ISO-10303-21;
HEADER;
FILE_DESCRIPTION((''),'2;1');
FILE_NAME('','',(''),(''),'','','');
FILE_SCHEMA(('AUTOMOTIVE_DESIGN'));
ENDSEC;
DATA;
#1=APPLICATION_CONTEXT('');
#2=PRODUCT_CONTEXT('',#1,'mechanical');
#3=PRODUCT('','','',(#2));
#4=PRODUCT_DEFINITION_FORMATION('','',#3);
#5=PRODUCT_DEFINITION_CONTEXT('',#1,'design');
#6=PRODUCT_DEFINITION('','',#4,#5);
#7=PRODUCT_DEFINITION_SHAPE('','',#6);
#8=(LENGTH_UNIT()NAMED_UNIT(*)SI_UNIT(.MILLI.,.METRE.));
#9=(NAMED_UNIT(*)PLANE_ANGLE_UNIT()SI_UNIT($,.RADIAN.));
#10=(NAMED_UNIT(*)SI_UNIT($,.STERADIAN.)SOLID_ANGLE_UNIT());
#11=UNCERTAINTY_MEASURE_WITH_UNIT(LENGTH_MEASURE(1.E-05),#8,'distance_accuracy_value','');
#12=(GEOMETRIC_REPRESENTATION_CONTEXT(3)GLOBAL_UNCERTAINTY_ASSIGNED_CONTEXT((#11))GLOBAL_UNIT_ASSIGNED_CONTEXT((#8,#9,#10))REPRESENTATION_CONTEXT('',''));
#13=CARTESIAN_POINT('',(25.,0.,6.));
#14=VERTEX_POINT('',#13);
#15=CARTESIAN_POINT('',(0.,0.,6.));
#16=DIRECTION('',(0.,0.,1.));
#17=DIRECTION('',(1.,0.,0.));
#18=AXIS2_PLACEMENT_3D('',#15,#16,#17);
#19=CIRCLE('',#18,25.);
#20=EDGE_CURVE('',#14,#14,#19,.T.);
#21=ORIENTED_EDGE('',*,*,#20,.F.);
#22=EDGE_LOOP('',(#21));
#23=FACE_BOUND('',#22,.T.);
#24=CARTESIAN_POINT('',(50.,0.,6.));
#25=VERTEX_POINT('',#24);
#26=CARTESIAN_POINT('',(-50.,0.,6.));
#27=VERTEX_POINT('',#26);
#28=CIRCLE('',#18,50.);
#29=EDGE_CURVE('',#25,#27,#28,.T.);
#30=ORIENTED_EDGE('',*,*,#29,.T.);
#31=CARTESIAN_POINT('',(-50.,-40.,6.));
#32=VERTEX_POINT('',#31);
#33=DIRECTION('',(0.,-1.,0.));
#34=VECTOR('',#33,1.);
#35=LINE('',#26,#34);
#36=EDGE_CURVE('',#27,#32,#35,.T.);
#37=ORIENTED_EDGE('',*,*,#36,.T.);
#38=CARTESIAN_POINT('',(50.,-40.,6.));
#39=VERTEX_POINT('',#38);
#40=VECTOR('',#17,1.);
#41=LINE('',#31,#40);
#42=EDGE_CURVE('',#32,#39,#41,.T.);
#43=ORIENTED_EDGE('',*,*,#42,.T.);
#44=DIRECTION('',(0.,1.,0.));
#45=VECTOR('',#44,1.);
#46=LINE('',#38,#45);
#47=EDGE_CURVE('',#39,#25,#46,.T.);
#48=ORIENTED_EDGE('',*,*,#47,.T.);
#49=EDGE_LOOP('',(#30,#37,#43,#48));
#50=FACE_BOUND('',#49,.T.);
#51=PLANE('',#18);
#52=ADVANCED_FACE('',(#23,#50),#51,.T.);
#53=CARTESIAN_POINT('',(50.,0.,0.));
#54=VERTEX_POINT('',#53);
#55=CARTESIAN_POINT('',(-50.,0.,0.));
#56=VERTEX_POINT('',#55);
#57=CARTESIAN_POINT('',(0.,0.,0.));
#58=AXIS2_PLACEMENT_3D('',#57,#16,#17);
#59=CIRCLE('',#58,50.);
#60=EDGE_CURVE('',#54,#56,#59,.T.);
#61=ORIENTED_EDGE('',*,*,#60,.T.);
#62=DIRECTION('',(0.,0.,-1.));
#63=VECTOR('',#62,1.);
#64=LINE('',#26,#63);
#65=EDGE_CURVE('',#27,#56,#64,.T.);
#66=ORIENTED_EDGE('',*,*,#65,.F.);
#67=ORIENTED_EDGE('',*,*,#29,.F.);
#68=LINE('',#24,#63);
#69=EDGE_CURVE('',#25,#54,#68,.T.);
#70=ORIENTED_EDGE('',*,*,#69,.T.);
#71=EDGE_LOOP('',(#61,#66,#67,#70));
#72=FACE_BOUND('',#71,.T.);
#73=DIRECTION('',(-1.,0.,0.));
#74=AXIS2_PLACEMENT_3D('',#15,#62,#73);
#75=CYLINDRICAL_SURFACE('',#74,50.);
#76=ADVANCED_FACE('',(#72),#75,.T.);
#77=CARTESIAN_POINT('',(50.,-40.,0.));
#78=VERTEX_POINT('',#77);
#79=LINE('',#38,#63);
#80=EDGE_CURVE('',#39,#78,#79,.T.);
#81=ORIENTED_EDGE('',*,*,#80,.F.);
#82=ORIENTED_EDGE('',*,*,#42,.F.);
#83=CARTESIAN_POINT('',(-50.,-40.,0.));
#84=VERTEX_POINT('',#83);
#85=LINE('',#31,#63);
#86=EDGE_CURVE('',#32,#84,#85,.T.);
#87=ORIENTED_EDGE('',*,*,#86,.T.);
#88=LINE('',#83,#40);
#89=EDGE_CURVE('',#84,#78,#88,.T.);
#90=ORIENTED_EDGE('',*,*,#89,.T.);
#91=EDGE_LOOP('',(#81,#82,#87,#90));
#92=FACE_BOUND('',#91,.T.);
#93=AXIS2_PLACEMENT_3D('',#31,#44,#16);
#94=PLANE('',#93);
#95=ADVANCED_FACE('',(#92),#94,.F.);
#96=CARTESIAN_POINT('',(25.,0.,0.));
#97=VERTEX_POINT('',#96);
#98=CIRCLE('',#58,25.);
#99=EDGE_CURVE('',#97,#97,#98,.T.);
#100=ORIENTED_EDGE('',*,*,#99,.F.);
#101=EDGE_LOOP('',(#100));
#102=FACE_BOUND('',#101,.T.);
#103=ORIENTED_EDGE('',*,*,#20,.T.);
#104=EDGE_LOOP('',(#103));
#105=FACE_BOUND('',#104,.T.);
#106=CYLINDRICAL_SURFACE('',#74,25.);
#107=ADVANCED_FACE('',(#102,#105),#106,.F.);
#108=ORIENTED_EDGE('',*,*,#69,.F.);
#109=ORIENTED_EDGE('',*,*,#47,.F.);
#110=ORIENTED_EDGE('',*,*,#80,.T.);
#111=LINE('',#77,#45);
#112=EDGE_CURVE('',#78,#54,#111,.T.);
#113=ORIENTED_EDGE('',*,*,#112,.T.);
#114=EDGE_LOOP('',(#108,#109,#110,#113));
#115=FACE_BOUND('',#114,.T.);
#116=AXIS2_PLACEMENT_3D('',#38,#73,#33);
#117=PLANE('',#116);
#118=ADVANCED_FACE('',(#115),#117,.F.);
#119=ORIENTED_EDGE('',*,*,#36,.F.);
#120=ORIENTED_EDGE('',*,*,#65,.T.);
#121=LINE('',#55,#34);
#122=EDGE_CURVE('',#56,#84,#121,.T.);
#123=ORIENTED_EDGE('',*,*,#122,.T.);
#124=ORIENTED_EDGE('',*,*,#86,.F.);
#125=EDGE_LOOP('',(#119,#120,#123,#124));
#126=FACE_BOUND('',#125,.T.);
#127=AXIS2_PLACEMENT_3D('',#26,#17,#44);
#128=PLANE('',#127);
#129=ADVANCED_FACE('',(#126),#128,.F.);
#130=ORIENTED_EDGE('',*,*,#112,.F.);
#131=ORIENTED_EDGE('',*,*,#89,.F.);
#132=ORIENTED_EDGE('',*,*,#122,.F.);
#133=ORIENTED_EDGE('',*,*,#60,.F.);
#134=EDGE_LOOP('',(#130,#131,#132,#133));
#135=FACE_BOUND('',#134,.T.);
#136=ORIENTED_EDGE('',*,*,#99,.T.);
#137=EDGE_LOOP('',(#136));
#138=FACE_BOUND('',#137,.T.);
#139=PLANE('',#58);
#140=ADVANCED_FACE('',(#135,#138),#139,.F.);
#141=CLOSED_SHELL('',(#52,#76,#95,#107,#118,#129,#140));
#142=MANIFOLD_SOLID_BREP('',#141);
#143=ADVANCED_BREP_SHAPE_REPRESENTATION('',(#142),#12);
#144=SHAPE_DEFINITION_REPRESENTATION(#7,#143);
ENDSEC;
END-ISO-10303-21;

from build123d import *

# Parameters (mm, degrees)
SKETCH_1_R      = 25
EXTRUDE_1_DEPTH = 6


with BuildPart() as part:
    # Эскиз1 → Бобышка-Вытянуть1 (new body)
    with BuildSketch(Plane.XY):
        with BuildLine():
            Line((-50, 0), (-50, -40))
            Line((-50, -40), (50, -40))
            Line((50, -40), (50, 0))
            ThreePointArc((50, 0), (0, 50), (-50, 0))
        make_face()
        Circle(SKETCH_1_R, mode=Mode.SUBTRACT)
    extrude(amount=EXTRUDE_1_DEPTH)


solid = part.part
